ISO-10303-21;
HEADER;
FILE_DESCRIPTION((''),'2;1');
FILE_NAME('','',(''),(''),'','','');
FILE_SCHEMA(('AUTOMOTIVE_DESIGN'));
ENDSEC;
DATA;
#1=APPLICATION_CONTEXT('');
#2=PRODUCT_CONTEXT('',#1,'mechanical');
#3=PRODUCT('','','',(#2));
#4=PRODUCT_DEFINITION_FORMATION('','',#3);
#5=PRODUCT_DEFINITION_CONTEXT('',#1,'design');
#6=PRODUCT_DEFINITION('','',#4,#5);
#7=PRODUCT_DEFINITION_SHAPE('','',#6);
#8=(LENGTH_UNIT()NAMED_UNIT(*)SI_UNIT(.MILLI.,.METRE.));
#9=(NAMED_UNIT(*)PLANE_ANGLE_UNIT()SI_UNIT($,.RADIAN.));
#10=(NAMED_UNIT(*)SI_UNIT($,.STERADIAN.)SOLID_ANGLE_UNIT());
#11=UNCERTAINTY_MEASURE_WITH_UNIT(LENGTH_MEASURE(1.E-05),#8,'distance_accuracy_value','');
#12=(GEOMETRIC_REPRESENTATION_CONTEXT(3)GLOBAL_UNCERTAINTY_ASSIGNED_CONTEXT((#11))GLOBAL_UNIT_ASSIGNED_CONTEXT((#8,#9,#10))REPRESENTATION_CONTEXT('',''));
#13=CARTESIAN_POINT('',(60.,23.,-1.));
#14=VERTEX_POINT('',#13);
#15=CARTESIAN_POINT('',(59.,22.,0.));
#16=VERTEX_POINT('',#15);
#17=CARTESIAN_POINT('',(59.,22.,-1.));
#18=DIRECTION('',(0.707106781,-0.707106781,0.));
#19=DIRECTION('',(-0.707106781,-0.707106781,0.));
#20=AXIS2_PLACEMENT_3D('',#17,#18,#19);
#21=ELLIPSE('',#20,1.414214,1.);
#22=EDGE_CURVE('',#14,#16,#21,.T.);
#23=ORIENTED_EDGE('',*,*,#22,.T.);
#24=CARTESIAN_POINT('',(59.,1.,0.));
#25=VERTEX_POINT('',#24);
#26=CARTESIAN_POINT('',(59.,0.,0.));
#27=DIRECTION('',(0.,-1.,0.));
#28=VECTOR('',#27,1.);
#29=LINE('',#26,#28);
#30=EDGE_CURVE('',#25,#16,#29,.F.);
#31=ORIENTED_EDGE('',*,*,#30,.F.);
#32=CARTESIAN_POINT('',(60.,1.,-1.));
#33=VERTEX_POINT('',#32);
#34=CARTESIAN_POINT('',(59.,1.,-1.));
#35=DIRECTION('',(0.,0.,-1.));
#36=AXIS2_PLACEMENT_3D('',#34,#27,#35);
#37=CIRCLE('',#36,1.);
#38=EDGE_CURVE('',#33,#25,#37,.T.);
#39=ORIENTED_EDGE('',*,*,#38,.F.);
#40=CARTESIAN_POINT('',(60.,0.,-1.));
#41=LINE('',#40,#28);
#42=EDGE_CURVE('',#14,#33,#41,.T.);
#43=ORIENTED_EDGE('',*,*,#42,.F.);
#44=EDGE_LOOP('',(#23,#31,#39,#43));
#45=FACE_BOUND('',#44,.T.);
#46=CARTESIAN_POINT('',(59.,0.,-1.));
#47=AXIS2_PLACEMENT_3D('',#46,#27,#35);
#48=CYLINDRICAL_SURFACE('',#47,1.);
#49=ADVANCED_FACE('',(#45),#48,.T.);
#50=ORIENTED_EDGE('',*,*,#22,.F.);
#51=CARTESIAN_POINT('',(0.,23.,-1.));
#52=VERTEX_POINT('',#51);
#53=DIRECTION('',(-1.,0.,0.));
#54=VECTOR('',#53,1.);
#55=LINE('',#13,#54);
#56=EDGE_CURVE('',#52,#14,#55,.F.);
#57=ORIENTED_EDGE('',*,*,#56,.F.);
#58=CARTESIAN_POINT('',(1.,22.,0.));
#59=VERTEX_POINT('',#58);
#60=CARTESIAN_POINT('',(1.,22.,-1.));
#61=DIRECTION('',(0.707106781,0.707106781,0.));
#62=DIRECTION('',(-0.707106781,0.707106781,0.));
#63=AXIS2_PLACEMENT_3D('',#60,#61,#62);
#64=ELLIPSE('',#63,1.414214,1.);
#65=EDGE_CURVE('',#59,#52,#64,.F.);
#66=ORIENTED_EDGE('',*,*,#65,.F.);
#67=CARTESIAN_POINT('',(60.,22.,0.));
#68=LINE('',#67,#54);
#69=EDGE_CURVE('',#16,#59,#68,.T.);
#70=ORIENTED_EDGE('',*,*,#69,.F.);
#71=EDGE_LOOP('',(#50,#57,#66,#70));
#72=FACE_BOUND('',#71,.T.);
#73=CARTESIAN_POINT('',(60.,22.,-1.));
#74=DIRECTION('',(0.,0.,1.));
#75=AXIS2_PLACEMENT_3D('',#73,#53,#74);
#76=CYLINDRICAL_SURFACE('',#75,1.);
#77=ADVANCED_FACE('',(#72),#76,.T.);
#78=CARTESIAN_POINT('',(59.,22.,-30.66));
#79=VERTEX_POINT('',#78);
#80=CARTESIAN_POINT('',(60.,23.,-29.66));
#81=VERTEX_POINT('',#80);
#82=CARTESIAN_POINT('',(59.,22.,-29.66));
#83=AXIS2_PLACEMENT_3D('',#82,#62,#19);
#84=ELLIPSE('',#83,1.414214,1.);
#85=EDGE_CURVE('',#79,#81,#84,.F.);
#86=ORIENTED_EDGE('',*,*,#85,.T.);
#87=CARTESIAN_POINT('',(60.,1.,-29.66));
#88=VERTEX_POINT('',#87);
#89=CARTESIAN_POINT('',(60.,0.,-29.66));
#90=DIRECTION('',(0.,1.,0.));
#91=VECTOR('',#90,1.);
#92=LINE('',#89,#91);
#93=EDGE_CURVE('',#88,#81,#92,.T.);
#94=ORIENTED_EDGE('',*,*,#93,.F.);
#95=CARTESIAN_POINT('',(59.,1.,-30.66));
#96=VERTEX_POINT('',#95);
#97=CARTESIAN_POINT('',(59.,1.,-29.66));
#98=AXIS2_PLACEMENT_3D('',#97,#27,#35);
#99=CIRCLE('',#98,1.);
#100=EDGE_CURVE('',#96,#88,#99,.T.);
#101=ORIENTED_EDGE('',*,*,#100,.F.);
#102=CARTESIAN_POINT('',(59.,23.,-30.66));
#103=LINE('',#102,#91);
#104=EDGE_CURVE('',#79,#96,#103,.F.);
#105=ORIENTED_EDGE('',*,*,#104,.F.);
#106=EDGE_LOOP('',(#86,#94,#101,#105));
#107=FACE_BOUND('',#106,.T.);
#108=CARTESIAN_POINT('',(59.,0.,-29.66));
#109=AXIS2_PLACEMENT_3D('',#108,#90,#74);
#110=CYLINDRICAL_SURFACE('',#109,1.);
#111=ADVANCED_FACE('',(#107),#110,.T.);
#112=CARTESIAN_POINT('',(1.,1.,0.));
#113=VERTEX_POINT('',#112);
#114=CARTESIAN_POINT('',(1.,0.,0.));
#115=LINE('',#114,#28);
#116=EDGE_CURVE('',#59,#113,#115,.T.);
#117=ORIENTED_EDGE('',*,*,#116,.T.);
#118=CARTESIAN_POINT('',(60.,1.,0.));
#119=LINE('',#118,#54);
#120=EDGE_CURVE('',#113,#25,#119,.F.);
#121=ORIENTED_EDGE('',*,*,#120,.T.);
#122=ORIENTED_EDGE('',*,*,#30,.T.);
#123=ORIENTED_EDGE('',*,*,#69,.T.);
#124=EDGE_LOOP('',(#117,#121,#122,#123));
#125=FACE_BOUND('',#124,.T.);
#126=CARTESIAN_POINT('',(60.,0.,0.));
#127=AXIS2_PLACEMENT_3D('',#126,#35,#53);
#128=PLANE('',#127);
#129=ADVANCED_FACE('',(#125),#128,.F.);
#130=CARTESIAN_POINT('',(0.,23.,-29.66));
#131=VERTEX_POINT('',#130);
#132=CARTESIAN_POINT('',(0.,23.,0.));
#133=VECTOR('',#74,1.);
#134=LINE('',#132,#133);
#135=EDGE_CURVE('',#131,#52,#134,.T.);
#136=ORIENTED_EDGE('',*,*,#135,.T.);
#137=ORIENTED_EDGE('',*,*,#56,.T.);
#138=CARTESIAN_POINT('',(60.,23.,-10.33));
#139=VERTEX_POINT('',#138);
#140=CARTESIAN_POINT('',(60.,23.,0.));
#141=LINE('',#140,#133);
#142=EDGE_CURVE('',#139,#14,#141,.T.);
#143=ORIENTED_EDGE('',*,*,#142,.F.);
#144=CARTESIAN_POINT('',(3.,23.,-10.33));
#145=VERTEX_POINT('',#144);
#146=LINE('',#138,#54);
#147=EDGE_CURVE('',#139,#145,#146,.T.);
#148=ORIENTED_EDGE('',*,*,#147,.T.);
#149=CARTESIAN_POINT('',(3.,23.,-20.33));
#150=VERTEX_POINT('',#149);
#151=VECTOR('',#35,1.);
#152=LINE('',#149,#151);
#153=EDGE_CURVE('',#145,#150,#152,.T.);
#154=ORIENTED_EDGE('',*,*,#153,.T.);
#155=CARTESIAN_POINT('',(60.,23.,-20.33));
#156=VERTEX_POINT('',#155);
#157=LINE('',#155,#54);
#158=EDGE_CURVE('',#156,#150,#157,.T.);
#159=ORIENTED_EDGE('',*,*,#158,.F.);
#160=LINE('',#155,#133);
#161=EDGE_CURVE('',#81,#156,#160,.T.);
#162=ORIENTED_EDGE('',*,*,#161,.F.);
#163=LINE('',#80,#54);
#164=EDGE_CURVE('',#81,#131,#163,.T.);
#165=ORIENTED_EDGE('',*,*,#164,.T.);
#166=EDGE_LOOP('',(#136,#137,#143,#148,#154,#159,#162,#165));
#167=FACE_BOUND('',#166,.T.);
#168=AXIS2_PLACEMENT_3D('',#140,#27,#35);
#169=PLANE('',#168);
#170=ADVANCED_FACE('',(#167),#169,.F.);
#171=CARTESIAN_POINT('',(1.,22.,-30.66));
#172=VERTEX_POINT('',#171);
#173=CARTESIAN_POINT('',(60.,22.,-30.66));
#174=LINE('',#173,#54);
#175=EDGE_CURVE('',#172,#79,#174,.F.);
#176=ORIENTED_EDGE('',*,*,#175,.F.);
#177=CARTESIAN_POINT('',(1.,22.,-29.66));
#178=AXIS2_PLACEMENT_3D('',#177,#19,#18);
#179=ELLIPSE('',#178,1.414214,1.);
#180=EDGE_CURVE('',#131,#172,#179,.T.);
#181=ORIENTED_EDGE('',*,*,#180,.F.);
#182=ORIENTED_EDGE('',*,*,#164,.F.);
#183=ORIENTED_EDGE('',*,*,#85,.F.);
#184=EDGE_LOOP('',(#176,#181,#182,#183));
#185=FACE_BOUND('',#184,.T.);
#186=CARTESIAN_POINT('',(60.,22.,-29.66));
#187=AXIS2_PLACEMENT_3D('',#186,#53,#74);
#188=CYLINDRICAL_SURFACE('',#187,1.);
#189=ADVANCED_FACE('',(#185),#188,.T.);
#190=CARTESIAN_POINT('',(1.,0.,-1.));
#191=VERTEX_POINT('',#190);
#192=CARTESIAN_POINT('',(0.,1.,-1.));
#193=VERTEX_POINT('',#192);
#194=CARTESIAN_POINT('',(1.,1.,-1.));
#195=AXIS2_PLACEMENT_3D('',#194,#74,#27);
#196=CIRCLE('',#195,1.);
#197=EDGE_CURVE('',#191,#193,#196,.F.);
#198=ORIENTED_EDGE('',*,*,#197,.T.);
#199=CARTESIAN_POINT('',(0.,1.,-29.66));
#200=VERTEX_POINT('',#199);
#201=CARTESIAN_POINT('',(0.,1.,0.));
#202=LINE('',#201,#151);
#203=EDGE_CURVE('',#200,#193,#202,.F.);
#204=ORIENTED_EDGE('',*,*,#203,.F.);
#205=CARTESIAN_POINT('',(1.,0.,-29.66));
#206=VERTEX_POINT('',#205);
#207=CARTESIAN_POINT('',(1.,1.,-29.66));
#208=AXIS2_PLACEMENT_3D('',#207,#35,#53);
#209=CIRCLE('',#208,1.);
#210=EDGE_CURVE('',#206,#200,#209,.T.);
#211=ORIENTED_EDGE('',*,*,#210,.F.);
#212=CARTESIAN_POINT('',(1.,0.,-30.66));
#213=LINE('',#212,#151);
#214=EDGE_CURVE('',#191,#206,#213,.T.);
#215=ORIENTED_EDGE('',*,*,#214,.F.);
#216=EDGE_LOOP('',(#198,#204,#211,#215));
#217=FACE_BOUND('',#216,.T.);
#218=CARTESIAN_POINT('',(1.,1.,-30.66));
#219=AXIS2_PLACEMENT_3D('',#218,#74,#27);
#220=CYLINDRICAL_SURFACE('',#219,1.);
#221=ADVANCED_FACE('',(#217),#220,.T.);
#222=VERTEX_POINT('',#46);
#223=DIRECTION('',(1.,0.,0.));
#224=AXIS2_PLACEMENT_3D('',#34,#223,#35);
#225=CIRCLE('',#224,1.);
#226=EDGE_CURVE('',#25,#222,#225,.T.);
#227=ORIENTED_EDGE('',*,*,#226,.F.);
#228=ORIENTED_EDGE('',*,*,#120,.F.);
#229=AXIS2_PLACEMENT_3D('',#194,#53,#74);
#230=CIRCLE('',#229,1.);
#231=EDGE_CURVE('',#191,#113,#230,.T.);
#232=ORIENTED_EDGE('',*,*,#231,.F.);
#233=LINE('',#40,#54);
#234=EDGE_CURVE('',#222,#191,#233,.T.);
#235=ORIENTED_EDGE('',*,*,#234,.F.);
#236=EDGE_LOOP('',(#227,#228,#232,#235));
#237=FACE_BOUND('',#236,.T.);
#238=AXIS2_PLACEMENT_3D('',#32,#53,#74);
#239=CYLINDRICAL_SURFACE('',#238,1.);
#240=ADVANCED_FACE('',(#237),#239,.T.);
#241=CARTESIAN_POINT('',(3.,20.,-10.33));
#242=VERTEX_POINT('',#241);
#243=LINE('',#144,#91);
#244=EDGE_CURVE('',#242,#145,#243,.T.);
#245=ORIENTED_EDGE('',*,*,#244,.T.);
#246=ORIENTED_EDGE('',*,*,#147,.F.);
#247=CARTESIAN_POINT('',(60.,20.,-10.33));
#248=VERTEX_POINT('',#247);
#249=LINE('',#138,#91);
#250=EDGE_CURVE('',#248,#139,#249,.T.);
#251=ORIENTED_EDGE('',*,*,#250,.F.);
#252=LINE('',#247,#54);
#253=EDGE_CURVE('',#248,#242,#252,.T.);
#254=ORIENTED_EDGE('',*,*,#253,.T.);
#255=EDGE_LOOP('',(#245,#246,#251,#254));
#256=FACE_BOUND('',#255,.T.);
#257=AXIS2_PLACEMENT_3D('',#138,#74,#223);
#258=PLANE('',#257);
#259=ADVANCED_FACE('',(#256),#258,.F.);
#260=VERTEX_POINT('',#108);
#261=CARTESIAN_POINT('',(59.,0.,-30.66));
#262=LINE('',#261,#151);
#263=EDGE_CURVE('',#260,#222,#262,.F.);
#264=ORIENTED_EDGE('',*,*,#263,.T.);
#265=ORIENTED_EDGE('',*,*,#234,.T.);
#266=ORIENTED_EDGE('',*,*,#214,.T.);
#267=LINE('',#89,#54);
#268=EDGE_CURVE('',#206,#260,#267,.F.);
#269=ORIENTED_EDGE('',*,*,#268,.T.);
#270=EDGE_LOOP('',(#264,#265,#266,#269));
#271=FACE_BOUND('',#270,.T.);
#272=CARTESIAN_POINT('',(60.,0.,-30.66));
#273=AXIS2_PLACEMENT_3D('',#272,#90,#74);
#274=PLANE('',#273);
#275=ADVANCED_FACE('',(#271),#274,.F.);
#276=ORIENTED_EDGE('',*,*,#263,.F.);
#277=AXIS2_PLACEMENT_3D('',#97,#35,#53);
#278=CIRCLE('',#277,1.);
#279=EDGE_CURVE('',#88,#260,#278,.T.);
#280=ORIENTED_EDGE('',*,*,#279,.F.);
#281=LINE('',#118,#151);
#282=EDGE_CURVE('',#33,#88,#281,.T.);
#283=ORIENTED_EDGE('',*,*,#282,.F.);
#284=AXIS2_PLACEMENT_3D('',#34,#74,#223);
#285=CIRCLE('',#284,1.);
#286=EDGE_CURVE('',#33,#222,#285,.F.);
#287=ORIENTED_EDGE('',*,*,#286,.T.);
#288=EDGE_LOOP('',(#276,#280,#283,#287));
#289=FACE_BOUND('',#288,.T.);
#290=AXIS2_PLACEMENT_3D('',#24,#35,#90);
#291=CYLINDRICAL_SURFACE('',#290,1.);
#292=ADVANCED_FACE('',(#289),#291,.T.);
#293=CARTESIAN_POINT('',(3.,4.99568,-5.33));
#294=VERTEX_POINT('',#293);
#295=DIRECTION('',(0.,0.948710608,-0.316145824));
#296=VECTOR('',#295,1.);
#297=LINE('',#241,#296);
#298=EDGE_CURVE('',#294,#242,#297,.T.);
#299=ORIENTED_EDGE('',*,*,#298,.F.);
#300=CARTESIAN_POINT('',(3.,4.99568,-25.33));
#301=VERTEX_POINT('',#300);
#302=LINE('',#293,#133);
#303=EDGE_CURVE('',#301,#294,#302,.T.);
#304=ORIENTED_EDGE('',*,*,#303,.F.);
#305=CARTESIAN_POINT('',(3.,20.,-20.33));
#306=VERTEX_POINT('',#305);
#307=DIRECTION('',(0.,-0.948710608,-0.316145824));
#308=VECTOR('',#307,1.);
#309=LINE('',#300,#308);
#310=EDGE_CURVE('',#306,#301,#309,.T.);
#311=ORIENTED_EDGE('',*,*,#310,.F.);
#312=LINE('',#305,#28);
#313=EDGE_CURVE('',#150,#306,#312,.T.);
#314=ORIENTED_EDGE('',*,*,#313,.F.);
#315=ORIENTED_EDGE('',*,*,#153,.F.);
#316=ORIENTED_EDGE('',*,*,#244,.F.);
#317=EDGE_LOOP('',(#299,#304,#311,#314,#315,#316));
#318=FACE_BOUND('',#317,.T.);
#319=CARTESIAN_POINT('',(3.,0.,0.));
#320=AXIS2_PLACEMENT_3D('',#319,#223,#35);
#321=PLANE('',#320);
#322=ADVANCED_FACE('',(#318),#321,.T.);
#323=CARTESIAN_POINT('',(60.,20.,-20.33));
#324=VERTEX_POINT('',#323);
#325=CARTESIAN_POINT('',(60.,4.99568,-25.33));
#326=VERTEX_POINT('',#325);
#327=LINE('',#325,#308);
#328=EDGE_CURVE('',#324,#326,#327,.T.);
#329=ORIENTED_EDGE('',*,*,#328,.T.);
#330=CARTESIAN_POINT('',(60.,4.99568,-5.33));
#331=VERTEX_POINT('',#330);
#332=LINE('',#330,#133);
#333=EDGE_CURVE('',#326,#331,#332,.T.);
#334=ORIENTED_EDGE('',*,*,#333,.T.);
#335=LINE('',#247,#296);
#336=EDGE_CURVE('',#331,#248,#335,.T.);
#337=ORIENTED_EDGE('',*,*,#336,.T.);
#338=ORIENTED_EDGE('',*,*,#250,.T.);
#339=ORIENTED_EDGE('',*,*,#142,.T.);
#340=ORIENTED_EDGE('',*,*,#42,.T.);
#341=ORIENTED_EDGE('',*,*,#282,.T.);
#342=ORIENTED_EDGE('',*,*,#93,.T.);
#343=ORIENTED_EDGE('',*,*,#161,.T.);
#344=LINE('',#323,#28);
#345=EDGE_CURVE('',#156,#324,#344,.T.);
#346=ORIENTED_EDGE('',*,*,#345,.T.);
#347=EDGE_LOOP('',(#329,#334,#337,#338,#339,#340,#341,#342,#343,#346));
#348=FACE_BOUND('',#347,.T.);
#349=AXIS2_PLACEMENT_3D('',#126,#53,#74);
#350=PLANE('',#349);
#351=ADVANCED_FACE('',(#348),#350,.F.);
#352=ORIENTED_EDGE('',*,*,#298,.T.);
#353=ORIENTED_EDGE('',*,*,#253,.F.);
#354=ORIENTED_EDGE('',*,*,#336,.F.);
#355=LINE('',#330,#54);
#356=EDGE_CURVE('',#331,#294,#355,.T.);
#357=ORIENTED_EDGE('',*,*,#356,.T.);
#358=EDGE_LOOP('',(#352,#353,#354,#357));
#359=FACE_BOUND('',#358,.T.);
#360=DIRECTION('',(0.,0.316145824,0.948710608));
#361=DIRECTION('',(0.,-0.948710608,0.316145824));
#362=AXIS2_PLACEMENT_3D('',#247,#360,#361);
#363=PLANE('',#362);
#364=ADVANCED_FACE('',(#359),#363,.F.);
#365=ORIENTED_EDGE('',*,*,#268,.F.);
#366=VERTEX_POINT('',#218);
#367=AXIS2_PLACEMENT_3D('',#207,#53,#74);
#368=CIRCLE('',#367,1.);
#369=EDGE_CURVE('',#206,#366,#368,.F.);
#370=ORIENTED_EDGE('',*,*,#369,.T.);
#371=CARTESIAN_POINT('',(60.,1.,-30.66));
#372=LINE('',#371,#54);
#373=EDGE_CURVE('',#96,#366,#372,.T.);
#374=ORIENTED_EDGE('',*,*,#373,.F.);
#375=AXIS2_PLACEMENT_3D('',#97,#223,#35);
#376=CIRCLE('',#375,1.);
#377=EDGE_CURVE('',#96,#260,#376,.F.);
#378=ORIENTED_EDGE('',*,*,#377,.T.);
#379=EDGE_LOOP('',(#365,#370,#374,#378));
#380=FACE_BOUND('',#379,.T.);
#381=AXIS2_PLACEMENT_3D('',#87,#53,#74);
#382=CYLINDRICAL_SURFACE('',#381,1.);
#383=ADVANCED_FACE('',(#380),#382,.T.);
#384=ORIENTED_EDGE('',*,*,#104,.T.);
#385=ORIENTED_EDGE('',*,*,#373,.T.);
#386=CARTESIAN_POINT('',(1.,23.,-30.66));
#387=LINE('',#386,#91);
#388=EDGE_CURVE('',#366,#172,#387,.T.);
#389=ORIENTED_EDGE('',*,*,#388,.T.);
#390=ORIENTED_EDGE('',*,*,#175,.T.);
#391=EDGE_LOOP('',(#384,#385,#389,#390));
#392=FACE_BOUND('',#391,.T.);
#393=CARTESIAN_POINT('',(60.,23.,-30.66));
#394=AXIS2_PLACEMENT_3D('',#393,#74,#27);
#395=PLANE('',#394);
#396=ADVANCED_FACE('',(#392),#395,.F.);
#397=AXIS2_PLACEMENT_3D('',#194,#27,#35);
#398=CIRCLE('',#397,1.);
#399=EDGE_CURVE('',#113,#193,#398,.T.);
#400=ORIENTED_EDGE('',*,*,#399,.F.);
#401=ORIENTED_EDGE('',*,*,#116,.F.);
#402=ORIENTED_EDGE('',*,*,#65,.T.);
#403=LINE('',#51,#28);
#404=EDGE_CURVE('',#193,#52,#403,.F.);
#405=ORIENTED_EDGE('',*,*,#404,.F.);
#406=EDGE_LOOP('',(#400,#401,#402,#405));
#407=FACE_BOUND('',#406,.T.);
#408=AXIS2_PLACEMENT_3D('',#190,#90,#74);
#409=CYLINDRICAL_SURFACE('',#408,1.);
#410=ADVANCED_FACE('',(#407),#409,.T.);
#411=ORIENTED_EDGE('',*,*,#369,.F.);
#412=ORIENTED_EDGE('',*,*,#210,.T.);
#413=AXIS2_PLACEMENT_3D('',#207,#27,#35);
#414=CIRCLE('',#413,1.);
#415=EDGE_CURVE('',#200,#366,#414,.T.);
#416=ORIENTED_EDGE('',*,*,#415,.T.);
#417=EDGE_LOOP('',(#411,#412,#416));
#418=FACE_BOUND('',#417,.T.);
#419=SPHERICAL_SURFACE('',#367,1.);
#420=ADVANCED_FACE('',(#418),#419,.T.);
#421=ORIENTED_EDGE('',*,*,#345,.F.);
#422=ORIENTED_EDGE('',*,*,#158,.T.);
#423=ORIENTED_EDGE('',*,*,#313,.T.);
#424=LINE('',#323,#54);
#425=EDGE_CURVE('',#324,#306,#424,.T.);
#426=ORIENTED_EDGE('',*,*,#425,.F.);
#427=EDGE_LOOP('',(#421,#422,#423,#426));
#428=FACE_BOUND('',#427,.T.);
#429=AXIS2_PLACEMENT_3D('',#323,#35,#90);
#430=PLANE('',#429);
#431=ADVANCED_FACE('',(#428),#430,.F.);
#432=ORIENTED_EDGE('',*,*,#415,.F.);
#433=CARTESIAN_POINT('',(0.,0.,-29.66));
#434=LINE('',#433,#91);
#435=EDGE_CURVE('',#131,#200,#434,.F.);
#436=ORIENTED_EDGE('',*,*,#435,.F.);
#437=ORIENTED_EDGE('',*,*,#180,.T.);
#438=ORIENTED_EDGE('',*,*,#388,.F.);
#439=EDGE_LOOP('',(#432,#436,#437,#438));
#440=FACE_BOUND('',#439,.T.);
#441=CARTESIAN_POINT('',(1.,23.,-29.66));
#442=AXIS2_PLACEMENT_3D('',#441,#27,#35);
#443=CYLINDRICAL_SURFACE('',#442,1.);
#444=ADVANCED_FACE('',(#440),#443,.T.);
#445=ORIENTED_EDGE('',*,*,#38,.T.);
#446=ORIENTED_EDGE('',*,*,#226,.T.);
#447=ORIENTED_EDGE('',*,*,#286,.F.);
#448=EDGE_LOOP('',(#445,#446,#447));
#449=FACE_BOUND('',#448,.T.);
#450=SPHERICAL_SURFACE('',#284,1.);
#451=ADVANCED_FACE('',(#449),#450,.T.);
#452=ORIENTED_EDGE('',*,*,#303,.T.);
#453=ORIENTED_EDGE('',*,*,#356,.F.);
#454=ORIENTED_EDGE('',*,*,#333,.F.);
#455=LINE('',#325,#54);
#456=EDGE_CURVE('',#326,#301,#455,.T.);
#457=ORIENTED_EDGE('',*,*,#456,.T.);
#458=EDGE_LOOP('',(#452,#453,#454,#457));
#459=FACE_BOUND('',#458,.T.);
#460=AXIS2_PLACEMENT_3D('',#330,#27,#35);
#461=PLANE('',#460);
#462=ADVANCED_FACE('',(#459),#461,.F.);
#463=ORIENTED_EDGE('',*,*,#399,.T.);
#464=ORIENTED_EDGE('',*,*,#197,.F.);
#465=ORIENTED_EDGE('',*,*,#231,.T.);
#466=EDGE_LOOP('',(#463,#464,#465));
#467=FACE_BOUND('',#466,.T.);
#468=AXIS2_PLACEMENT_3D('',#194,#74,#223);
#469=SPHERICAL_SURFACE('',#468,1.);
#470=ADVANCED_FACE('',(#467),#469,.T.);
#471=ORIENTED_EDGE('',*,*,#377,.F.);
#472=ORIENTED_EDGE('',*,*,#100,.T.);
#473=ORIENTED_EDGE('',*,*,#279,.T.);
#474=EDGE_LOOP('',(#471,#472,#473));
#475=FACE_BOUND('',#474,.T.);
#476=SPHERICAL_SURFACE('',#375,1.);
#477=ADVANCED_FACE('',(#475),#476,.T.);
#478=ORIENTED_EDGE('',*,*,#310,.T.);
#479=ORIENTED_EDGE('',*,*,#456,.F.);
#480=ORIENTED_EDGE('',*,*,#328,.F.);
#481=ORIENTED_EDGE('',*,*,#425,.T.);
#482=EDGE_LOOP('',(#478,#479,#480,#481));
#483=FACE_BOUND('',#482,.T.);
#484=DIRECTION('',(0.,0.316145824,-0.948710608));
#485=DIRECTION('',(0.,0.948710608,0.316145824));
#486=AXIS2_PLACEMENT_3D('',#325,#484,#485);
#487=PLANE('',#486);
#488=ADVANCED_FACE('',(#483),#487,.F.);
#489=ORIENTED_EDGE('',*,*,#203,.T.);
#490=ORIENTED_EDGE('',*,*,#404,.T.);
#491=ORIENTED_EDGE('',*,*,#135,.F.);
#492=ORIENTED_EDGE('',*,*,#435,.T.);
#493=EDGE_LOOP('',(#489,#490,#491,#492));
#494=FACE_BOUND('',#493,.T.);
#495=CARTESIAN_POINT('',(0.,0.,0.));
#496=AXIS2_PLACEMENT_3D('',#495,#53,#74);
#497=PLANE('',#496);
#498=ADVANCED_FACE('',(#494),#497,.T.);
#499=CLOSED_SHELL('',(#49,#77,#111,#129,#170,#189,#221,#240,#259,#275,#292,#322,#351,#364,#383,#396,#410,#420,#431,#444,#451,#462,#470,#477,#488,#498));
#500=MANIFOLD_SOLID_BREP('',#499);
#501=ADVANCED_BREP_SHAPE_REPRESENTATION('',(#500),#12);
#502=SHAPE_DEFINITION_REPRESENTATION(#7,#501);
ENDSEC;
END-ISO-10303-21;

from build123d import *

# Parameters (mm, degrees)
BOSS_EXTRUDE1_DEPTH = 60
FILLET1_R           = 1
BOSS_EXTRUDE2_DEPTH = 3


with BuildPart() as part:
    # Sketch2 → Boss-Extrude1 (new body)
    with BuildSketch(Plane(origin=(0, 0, 0), x_dir=(0, 0, -1), z_dir=(1, 0, 0))):
        Polygon((0, 0), (0, 23), (10.33, 23), (10.33, 20), (5.33, 4.995680218), (25.33, 4.995680218), (20.33, 20), (20.33, 23), (30.66, 23), (30.66, 0), align=None)
    extrude(amount=BOSS_EXTRUDE1_DEPTH)

    # Fillet1
    fillet1_edges = [part.edges().sort_by_distance(p)[0] for p in [
        (0, 11.5, 0),
        (0, 11.5, -30.66),
        (0, 0, -15.33),
        (30, 0, 0),
        (30, 23, 0),
        (30, 23, -30.66),
        (30, 0, -30.66),
        (60, 11.5, 0),
        (60, 0, -15.33),
        (60, 11.5, -30.66),
    ]]
    fillet(fillet1_edges, radius=FILLET1_R)

    # Sketch3 → Boss-Extrude2 (add)
    with BuildSketch(Plane.ZY):
        Polygon((-20.33, 23), (-10.33, 23), (-10.33, 20), (-5.33, 4.995680218), (-25.33, 4.995680218), (-20.33, 20), align=None)
    extrude(amount=-BOSS_EXTRUDE2_DEPTH)


solid = part.part
